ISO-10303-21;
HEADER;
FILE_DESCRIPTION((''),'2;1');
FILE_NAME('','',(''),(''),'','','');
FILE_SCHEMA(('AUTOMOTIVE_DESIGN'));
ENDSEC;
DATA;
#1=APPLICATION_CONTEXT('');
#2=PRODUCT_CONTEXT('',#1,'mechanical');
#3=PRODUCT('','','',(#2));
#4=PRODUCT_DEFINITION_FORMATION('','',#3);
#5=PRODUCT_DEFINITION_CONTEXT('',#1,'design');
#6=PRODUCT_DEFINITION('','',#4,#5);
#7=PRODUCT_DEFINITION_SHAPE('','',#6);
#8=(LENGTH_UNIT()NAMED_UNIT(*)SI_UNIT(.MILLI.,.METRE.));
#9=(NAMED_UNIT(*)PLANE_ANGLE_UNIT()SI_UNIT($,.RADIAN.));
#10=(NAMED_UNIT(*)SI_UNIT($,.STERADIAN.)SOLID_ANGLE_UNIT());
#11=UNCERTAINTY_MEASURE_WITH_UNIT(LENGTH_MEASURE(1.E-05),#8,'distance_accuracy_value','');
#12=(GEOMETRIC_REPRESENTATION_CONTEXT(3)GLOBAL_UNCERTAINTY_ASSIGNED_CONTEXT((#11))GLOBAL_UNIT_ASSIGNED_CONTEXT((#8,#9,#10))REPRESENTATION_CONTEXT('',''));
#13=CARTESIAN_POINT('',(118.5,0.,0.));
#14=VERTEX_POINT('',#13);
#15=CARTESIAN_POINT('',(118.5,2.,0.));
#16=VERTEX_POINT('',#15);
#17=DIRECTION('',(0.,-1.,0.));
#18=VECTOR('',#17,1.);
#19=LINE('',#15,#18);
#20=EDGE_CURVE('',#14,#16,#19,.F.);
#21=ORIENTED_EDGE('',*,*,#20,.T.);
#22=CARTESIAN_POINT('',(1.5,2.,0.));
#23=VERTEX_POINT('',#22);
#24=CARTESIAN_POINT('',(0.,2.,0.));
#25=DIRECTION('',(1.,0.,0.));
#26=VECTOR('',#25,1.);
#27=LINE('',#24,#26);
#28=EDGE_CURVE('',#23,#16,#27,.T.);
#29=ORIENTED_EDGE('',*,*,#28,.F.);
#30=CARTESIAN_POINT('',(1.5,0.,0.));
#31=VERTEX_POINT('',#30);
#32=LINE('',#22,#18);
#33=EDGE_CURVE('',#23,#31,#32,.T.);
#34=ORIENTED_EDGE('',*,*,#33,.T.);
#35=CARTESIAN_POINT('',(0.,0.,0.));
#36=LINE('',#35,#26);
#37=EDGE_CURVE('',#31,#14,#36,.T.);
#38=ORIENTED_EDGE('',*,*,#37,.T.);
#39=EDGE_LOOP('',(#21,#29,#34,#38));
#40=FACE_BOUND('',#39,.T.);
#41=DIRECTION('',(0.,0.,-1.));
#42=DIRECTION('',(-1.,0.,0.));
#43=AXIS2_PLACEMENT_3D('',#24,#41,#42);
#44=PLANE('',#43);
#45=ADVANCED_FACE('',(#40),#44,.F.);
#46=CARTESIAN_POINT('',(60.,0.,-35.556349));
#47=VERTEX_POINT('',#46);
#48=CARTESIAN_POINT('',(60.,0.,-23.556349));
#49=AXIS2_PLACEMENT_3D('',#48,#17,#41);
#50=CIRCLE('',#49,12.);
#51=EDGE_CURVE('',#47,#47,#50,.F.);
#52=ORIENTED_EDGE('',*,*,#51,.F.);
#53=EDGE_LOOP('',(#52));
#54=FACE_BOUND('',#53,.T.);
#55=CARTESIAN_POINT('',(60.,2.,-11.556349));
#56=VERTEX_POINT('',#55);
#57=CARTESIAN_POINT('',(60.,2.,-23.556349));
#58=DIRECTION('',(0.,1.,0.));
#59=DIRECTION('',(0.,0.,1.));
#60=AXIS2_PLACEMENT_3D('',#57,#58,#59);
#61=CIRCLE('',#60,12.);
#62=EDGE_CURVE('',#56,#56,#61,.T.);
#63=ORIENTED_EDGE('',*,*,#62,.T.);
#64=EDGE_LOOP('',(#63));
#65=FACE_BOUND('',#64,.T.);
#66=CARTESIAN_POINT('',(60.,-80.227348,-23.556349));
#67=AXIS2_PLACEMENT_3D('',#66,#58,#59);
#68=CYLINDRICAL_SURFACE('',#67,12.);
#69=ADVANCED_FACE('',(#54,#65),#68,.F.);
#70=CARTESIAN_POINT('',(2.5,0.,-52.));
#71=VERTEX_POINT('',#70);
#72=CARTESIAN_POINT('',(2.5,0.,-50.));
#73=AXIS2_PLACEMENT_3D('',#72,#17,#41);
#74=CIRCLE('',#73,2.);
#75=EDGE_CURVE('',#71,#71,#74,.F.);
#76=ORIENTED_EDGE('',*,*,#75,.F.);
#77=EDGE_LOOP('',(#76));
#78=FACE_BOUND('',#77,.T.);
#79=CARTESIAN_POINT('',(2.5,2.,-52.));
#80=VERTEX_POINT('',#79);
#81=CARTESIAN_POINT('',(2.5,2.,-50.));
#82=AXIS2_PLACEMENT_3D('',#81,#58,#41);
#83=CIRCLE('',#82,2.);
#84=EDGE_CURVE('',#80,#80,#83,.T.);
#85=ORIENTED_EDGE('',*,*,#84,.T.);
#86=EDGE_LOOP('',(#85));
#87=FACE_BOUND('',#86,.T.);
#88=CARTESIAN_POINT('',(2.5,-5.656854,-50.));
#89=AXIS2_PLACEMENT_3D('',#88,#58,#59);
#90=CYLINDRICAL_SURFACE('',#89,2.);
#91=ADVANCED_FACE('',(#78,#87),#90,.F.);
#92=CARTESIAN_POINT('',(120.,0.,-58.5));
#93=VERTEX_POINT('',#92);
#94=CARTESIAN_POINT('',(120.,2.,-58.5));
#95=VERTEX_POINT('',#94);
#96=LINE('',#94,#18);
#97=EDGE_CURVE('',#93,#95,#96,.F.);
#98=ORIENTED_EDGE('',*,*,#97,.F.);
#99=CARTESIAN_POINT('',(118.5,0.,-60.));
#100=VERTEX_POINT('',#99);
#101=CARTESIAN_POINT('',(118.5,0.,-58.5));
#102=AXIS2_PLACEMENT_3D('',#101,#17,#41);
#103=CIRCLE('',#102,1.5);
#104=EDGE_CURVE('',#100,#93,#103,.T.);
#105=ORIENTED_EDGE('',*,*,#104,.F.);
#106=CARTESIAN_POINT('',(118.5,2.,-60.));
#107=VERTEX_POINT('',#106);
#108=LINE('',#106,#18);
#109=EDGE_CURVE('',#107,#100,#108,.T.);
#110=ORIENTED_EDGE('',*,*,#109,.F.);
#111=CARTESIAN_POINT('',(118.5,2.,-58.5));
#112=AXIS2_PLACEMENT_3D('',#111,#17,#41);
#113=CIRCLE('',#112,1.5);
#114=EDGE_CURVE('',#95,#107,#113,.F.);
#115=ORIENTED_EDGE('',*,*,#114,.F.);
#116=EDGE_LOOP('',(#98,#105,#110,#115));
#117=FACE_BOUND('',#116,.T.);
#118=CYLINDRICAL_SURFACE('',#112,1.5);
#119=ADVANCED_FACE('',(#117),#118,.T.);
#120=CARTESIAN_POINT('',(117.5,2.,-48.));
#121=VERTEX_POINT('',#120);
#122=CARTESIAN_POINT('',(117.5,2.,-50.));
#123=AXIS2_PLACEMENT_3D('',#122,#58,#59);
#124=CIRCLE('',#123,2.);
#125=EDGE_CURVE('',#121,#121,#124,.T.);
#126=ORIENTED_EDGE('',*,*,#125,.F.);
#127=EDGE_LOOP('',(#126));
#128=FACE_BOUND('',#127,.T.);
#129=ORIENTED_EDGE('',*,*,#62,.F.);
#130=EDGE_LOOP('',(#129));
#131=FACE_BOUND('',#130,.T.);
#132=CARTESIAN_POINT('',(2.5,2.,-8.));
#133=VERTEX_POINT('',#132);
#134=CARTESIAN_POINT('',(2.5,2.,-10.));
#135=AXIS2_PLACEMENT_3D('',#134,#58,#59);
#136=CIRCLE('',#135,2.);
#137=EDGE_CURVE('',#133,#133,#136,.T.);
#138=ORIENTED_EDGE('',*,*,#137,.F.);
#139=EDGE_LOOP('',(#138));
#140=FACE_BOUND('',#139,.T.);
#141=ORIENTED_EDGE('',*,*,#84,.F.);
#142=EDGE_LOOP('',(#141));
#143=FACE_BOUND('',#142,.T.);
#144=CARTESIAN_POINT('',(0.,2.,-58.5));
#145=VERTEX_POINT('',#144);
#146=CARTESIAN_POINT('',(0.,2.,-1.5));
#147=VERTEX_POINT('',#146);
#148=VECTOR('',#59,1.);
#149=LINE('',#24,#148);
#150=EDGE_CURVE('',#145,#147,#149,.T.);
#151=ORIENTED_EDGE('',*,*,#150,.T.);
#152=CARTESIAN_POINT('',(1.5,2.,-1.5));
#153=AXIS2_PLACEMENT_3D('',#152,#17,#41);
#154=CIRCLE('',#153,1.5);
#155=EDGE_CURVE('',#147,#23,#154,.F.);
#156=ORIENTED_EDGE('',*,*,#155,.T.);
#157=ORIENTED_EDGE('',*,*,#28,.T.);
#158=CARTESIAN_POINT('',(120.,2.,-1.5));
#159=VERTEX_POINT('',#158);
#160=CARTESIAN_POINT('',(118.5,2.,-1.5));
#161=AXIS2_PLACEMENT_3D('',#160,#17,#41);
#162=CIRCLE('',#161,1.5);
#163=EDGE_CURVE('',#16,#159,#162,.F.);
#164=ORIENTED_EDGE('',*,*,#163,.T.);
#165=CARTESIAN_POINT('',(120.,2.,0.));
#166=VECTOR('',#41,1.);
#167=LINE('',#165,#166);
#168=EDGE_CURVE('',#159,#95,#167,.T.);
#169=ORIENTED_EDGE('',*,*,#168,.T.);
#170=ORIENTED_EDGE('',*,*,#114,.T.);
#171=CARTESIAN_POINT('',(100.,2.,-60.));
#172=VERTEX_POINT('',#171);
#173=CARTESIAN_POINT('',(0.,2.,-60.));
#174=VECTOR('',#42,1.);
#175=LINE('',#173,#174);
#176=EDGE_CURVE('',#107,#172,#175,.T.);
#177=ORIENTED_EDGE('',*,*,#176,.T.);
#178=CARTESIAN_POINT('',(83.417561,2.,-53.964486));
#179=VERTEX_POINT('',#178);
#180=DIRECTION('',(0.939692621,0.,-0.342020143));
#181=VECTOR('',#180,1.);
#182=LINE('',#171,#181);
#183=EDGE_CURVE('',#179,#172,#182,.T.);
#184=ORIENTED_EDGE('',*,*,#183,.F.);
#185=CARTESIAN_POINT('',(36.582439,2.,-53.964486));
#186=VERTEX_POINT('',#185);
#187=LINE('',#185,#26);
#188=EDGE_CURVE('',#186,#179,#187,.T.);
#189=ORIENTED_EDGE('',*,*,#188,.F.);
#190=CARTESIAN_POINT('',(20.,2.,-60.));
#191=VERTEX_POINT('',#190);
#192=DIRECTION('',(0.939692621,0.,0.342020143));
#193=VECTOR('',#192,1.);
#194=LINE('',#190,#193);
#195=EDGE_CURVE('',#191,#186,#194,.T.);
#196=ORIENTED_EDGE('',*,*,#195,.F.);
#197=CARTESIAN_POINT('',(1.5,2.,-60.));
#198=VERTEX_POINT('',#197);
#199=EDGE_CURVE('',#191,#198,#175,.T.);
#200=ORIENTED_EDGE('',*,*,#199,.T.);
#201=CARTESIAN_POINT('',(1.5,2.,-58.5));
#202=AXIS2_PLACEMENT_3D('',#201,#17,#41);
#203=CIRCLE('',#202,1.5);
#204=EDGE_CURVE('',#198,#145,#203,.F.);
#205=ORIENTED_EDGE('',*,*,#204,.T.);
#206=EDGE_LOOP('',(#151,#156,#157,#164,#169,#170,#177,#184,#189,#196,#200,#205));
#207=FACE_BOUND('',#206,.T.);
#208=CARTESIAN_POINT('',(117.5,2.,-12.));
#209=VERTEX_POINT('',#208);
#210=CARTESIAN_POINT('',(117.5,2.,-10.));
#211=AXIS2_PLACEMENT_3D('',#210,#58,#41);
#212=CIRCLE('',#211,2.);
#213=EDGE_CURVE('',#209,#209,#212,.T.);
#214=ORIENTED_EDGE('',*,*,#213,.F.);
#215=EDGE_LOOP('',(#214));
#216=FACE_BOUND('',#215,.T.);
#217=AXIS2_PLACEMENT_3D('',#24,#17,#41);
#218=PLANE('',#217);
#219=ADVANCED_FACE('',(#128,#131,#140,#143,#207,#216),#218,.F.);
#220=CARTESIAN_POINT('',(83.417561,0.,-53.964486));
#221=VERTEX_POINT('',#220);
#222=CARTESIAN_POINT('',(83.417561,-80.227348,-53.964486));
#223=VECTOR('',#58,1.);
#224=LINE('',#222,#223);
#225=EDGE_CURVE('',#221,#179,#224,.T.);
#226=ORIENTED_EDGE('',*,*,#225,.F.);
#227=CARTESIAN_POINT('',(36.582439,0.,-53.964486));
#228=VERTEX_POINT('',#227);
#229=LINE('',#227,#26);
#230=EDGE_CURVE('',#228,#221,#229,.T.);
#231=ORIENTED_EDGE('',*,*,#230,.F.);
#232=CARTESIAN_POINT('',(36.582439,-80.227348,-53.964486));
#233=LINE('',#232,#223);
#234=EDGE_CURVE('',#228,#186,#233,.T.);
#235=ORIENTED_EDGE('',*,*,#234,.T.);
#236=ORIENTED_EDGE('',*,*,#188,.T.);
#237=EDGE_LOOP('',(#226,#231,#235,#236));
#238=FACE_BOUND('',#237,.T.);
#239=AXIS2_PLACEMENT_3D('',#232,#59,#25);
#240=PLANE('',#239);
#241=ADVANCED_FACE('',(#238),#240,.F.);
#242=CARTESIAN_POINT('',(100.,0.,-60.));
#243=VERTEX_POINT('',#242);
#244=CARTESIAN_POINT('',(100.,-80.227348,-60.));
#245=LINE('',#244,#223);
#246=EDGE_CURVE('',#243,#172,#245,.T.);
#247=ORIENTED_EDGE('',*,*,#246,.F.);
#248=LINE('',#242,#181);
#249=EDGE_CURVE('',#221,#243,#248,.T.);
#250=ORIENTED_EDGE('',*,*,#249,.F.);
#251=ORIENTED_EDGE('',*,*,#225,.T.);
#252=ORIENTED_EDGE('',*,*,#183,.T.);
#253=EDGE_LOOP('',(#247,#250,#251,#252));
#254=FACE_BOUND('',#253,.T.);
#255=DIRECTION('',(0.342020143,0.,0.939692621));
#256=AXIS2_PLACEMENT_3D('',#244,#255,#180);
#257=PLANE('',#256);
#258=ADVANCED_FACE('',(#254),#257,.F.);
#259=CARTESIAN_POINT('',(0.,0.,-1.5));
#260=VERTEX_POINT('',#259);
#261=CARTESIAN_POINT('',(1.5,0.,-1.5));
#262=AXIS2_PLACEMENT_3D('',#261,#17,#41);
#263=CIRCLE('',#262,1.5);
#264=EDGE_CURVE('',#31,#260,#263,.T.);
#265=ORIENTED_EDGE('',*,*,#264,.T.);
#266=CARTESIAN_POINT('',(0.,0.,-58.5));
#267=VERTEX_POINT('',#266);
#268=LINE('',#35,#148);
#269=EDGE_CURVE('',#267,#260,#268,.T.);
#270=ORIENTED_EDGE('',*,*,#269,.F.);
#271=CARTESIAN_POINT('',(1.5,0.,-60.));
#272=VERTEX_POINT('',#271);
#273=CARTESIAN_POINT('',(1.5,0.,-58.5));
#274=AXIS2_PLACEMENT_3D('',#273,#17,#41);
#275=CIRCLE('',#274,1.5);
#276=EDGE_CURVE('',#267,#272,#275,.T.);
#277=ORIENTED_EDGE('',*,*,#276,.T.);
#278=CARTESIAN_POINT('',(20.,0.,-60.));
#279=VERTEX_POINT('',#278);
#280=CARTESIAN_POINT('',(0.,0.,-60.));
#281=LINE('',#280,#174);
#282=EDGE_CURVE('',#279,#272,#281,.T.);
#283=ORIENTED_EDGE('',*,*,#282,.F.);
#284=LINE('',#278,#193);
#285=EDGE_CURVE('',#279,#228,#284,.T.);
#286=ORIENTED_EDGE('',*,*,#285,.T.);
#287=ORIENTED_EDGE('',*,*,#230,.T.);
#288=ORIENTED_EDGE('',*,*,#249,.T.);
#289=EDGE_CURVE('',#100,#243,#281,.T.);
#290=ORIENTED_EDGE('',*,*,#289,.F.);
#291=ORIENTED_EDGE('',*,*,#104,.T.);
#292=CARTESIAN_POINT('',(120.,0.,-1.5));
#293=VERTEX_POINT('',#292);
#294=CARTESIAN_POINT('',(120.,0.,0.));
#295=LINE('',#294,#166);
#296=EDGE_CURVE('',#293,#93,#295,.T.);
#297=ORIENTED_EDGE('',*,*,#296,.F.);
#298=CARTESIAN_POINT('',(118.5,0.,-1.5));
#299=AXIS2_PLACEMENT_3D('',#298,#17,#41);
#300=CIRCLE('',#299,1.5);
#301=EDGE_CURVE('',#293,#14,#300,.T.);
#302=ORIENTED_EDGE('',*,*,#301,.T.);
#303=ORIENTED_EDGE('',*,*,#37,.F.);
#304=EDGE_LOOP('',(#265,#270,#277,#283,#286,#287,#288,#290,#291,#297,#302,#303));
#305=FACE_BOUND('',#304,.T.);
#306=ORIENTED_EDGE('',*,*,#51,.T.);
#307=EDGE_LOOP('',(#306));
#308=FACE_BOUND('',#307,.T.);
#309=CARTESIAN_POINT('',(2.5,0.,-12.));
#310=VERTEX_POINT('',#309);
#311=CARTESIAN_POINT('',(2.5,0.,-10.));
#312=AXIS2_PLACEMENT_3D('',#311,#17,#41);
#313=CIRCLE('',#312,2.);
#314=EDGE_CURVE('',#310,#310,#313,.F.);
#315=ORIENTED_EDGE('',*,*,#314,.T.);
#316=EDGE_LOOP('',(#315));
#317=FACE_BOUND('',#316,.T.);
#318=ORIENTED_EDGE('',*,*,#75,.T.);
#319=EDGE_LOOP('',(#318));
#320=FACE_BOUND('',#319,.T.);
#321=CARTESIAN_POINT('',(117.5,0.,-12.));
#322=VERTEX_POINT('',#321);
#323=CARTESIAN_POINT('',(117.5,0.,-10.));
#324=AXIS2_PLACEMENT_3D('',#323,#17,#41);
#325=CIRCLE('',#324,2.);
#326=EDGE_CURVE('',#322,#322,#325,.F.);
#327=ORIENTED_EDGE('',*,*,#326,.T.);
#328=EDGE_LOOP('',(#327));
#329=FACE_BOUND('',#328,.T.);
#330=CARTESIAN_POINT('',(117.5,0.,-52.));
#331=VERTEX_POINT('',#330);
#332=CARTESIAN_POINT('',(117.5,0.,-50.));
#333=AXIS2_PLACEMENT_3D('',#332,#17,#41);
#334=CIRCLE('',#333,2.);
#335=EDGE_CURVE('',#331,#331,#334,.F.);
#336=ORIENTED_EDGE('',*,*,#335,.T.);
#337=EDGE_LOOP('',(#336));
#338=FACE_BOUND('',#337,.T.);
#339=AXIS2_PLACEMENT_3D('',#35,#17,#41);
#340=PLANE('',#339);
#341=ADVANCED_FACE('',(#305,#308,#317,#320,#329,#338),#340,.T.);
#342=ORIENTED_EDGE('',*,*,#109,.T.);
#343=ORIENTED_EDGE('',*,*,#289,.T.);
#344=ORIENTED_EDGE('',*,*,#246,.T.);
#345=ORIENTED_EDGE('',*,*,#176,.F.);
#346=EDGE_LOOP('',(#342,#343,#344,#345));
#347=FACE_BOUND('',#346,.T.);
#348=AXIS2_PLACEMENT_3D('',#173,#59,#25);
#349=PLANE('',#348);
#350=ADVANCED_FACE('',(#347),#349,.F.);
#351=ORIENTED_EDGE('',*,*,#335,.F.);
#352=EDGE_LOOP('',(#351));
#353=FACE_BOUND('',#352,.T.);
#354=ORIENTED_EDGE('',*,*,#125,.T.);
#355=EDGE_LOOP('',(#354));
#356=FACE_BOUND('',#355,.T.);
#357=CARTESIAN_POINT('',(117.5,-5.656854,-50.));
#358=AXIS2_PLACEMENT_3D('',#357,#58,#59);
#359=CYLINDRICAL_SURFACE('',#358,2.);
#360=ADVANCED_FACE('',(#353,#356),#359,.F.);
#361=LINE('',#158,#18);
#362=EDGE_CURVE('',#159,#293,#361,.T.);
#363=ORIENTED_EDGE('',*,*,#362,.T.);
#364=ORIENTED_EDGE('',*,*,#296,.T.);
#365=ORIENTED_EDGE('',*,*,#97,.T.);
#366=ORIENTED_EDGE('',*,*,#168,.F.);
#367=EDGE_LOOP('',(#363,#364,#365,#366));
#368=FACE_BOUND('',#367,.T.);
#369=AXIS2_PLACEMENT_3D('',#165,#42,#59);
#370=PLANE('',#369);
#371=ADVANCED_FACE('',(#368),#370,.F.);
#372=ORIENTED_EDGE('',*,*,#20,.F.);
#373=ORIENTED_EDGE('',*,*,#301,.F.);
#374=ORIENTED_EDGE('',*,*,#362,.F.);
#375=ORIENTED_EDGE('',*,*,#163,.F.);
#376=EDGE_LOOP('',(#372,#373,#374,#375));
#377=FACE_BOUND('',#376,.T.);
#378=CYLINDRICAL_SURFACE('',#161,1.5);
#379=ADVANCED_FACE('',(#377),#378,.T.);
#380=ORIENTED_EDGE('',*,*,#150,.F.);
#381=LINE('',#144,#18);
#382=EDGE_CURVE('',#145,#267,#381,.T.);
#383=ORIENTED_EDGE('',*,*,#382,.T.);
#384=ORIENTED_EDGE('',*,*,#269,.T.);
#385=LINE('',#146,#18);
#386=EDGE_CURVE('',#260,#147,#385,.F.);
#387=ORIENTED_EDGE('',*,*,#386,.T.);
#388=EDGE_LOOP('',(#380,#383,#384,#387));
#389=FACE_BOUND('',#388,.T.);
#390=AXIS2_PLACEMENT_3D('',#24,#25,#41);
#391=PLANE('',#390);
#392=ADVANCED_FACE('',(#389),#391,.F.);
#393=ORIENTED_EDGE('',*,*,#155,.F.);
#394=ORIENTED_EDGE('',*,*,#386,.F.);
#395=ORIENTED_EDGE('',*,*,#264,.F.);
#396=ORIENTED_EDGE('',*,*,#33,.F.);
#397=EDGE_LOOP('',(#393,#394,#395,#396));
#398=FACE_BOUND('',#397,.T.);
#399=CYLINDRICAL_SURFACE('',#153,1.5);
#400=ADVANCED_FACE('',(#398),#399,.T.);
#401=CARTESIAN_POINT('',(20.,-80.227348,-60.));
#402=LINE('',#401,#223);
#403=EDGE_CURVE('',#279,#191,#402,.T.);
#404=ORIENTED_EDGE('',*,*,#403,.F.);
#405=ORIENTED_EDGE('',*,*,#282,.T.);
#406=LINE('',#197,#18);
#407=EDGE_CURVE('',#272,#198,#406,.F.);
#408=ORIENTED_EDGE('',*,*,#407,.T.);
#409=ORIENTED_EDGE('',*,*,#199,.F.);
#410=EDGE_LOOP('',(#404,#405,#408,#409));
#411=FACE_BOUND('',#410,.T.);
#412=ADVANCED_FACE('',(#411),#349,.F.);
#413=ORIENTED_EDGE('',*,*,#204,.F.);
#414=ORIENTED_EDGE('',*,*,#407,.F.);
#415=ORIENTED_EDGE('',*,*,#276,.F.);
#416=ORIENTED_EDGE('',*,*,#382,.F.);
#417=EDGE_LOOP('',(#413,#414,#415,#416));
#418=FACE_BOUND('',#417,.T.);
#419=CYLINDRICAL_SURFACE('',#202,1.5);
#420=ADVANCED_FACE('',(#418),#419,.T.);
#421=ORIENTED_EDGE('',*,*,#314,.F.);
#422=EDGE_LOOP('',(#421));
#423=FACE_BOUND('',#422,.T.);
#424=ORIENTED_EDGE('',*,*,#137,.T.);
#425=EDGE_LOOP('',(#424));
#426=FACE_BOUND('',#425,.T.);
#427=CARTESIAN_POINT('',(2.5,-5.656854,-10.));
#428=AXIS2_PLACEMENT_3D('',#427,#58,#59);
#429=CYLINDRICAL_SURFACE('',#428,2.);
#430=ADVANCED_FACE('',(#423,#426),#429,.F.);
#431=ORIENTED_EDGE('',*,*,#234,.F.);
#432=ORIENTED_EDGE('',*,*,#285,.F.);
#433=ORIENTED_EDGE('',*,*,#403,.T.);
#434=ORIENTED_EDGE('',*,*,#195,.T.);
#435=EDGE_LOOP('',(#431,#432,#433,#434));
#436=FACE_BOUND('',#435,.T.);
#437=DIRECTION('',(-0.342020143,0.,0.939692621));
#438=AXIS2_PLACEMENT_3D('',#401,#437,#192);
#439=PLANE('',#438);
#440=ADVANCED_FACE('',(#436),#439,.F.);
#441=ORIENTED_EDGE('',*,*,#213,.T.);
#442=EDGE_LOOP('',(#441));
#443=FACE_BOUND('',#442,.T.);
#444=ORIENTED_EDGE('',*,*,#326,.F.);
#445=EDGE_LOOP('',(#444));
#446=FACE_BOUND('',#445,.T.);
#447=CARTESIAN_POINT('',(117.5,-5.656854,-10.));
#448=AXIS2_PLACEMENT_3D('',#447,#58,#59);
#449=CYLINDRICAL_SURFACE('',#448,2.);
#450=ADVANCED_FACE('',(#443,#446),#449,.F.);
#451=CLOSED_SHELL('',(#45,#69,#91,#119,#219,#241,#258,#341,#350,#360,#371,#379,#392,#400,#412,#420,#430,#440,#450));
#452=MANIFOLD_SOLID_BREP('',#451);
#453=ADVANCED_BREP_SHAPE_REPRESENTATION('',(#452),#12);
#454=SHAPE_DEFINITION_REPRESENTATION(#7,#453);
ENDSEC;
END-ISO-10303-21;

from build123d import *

# Parameters (mm, degrees)
SKETCH_1_W          = 120
SKETCH_1_H          = 60
EXTRUDE_1_DEPTH     = 2
SKETCH_2_R          = 2
CUT_EXTRUDE_1_DEPTH = 2
SKETCH_3_R          = 12
CUT_EXTRUDE_2_DEPTH = 2
FILLET_1_R          = 1.5


with BuildPart() as part:
    # 草图1 → 凸台-拉伸1 (new body)
    with BuildSketch(Plane(origin=(0, 0, 0), x_dir=(1, 0, 0), z_dir=(0, 1, 0))):
        with Locations((60, 30)):
            Rectangle(SKETCH_1_W, SKETCH_1_H)
    extrude(amount=EXTRUDE_1_DEPTH)

    # 草图2 → 切除-拉伸1 (cut)
    with BuildSketch(Plane(origin=(0, 2, 0), x_dir=(1, 0, 0), z_dir=(0, 1, 0))):
        with Locations(Location((117.5, 50, 0), (0, 0, 270))):
            Circle(SKETCH_2_R)
        with Locations(Location((117.5, 10, 0), (0, 0, 90))):
            Circle(SKETCH_2_R)
        with Locations(Location((2.5, 50, 0), (0, 0, 90))):
            Circle(SKETCH_2_R)
        with Locations(Location((2.5, 10, 0), (0, 0, 270))):
            Circle(SKETCH_2_R)
    extrude(amount=-CUT_EXTRUDE_1_DEPTH, mode=Mode.SUBTRACT)

    # 草图3 → 切除-拉伸2 (cut)
    with BuildSketch(Plane(origin=(0, 2, 0), x_dir=(1, 0, 0), z_dir=(0, 1, 0))):
        with Locations(Location((60, 23.556349186, 0), (0, 0, 270))):
            Circle(SKETCH_3_R)
        Polygon((20, 60), (36.582438817, 53.964485859), (83.417561183, 53.964485859), (100, 60), align=None)
    extrude(amount=-CUT_EXTRUDE_2_DEPTH, mode=Mode.SUBTRACT)

    # 圆角1
    fillet_1_edges = [part.edges().sort_by_distance(p)[0] for p in [
        (0, 1, -60),
        (120, 1, -60),
        (120, 1, 0),
        (0, 1, 0),
    ]]
    fillet(fillet_1_edges, radius=FILLET_1_R)


solid = part.part
